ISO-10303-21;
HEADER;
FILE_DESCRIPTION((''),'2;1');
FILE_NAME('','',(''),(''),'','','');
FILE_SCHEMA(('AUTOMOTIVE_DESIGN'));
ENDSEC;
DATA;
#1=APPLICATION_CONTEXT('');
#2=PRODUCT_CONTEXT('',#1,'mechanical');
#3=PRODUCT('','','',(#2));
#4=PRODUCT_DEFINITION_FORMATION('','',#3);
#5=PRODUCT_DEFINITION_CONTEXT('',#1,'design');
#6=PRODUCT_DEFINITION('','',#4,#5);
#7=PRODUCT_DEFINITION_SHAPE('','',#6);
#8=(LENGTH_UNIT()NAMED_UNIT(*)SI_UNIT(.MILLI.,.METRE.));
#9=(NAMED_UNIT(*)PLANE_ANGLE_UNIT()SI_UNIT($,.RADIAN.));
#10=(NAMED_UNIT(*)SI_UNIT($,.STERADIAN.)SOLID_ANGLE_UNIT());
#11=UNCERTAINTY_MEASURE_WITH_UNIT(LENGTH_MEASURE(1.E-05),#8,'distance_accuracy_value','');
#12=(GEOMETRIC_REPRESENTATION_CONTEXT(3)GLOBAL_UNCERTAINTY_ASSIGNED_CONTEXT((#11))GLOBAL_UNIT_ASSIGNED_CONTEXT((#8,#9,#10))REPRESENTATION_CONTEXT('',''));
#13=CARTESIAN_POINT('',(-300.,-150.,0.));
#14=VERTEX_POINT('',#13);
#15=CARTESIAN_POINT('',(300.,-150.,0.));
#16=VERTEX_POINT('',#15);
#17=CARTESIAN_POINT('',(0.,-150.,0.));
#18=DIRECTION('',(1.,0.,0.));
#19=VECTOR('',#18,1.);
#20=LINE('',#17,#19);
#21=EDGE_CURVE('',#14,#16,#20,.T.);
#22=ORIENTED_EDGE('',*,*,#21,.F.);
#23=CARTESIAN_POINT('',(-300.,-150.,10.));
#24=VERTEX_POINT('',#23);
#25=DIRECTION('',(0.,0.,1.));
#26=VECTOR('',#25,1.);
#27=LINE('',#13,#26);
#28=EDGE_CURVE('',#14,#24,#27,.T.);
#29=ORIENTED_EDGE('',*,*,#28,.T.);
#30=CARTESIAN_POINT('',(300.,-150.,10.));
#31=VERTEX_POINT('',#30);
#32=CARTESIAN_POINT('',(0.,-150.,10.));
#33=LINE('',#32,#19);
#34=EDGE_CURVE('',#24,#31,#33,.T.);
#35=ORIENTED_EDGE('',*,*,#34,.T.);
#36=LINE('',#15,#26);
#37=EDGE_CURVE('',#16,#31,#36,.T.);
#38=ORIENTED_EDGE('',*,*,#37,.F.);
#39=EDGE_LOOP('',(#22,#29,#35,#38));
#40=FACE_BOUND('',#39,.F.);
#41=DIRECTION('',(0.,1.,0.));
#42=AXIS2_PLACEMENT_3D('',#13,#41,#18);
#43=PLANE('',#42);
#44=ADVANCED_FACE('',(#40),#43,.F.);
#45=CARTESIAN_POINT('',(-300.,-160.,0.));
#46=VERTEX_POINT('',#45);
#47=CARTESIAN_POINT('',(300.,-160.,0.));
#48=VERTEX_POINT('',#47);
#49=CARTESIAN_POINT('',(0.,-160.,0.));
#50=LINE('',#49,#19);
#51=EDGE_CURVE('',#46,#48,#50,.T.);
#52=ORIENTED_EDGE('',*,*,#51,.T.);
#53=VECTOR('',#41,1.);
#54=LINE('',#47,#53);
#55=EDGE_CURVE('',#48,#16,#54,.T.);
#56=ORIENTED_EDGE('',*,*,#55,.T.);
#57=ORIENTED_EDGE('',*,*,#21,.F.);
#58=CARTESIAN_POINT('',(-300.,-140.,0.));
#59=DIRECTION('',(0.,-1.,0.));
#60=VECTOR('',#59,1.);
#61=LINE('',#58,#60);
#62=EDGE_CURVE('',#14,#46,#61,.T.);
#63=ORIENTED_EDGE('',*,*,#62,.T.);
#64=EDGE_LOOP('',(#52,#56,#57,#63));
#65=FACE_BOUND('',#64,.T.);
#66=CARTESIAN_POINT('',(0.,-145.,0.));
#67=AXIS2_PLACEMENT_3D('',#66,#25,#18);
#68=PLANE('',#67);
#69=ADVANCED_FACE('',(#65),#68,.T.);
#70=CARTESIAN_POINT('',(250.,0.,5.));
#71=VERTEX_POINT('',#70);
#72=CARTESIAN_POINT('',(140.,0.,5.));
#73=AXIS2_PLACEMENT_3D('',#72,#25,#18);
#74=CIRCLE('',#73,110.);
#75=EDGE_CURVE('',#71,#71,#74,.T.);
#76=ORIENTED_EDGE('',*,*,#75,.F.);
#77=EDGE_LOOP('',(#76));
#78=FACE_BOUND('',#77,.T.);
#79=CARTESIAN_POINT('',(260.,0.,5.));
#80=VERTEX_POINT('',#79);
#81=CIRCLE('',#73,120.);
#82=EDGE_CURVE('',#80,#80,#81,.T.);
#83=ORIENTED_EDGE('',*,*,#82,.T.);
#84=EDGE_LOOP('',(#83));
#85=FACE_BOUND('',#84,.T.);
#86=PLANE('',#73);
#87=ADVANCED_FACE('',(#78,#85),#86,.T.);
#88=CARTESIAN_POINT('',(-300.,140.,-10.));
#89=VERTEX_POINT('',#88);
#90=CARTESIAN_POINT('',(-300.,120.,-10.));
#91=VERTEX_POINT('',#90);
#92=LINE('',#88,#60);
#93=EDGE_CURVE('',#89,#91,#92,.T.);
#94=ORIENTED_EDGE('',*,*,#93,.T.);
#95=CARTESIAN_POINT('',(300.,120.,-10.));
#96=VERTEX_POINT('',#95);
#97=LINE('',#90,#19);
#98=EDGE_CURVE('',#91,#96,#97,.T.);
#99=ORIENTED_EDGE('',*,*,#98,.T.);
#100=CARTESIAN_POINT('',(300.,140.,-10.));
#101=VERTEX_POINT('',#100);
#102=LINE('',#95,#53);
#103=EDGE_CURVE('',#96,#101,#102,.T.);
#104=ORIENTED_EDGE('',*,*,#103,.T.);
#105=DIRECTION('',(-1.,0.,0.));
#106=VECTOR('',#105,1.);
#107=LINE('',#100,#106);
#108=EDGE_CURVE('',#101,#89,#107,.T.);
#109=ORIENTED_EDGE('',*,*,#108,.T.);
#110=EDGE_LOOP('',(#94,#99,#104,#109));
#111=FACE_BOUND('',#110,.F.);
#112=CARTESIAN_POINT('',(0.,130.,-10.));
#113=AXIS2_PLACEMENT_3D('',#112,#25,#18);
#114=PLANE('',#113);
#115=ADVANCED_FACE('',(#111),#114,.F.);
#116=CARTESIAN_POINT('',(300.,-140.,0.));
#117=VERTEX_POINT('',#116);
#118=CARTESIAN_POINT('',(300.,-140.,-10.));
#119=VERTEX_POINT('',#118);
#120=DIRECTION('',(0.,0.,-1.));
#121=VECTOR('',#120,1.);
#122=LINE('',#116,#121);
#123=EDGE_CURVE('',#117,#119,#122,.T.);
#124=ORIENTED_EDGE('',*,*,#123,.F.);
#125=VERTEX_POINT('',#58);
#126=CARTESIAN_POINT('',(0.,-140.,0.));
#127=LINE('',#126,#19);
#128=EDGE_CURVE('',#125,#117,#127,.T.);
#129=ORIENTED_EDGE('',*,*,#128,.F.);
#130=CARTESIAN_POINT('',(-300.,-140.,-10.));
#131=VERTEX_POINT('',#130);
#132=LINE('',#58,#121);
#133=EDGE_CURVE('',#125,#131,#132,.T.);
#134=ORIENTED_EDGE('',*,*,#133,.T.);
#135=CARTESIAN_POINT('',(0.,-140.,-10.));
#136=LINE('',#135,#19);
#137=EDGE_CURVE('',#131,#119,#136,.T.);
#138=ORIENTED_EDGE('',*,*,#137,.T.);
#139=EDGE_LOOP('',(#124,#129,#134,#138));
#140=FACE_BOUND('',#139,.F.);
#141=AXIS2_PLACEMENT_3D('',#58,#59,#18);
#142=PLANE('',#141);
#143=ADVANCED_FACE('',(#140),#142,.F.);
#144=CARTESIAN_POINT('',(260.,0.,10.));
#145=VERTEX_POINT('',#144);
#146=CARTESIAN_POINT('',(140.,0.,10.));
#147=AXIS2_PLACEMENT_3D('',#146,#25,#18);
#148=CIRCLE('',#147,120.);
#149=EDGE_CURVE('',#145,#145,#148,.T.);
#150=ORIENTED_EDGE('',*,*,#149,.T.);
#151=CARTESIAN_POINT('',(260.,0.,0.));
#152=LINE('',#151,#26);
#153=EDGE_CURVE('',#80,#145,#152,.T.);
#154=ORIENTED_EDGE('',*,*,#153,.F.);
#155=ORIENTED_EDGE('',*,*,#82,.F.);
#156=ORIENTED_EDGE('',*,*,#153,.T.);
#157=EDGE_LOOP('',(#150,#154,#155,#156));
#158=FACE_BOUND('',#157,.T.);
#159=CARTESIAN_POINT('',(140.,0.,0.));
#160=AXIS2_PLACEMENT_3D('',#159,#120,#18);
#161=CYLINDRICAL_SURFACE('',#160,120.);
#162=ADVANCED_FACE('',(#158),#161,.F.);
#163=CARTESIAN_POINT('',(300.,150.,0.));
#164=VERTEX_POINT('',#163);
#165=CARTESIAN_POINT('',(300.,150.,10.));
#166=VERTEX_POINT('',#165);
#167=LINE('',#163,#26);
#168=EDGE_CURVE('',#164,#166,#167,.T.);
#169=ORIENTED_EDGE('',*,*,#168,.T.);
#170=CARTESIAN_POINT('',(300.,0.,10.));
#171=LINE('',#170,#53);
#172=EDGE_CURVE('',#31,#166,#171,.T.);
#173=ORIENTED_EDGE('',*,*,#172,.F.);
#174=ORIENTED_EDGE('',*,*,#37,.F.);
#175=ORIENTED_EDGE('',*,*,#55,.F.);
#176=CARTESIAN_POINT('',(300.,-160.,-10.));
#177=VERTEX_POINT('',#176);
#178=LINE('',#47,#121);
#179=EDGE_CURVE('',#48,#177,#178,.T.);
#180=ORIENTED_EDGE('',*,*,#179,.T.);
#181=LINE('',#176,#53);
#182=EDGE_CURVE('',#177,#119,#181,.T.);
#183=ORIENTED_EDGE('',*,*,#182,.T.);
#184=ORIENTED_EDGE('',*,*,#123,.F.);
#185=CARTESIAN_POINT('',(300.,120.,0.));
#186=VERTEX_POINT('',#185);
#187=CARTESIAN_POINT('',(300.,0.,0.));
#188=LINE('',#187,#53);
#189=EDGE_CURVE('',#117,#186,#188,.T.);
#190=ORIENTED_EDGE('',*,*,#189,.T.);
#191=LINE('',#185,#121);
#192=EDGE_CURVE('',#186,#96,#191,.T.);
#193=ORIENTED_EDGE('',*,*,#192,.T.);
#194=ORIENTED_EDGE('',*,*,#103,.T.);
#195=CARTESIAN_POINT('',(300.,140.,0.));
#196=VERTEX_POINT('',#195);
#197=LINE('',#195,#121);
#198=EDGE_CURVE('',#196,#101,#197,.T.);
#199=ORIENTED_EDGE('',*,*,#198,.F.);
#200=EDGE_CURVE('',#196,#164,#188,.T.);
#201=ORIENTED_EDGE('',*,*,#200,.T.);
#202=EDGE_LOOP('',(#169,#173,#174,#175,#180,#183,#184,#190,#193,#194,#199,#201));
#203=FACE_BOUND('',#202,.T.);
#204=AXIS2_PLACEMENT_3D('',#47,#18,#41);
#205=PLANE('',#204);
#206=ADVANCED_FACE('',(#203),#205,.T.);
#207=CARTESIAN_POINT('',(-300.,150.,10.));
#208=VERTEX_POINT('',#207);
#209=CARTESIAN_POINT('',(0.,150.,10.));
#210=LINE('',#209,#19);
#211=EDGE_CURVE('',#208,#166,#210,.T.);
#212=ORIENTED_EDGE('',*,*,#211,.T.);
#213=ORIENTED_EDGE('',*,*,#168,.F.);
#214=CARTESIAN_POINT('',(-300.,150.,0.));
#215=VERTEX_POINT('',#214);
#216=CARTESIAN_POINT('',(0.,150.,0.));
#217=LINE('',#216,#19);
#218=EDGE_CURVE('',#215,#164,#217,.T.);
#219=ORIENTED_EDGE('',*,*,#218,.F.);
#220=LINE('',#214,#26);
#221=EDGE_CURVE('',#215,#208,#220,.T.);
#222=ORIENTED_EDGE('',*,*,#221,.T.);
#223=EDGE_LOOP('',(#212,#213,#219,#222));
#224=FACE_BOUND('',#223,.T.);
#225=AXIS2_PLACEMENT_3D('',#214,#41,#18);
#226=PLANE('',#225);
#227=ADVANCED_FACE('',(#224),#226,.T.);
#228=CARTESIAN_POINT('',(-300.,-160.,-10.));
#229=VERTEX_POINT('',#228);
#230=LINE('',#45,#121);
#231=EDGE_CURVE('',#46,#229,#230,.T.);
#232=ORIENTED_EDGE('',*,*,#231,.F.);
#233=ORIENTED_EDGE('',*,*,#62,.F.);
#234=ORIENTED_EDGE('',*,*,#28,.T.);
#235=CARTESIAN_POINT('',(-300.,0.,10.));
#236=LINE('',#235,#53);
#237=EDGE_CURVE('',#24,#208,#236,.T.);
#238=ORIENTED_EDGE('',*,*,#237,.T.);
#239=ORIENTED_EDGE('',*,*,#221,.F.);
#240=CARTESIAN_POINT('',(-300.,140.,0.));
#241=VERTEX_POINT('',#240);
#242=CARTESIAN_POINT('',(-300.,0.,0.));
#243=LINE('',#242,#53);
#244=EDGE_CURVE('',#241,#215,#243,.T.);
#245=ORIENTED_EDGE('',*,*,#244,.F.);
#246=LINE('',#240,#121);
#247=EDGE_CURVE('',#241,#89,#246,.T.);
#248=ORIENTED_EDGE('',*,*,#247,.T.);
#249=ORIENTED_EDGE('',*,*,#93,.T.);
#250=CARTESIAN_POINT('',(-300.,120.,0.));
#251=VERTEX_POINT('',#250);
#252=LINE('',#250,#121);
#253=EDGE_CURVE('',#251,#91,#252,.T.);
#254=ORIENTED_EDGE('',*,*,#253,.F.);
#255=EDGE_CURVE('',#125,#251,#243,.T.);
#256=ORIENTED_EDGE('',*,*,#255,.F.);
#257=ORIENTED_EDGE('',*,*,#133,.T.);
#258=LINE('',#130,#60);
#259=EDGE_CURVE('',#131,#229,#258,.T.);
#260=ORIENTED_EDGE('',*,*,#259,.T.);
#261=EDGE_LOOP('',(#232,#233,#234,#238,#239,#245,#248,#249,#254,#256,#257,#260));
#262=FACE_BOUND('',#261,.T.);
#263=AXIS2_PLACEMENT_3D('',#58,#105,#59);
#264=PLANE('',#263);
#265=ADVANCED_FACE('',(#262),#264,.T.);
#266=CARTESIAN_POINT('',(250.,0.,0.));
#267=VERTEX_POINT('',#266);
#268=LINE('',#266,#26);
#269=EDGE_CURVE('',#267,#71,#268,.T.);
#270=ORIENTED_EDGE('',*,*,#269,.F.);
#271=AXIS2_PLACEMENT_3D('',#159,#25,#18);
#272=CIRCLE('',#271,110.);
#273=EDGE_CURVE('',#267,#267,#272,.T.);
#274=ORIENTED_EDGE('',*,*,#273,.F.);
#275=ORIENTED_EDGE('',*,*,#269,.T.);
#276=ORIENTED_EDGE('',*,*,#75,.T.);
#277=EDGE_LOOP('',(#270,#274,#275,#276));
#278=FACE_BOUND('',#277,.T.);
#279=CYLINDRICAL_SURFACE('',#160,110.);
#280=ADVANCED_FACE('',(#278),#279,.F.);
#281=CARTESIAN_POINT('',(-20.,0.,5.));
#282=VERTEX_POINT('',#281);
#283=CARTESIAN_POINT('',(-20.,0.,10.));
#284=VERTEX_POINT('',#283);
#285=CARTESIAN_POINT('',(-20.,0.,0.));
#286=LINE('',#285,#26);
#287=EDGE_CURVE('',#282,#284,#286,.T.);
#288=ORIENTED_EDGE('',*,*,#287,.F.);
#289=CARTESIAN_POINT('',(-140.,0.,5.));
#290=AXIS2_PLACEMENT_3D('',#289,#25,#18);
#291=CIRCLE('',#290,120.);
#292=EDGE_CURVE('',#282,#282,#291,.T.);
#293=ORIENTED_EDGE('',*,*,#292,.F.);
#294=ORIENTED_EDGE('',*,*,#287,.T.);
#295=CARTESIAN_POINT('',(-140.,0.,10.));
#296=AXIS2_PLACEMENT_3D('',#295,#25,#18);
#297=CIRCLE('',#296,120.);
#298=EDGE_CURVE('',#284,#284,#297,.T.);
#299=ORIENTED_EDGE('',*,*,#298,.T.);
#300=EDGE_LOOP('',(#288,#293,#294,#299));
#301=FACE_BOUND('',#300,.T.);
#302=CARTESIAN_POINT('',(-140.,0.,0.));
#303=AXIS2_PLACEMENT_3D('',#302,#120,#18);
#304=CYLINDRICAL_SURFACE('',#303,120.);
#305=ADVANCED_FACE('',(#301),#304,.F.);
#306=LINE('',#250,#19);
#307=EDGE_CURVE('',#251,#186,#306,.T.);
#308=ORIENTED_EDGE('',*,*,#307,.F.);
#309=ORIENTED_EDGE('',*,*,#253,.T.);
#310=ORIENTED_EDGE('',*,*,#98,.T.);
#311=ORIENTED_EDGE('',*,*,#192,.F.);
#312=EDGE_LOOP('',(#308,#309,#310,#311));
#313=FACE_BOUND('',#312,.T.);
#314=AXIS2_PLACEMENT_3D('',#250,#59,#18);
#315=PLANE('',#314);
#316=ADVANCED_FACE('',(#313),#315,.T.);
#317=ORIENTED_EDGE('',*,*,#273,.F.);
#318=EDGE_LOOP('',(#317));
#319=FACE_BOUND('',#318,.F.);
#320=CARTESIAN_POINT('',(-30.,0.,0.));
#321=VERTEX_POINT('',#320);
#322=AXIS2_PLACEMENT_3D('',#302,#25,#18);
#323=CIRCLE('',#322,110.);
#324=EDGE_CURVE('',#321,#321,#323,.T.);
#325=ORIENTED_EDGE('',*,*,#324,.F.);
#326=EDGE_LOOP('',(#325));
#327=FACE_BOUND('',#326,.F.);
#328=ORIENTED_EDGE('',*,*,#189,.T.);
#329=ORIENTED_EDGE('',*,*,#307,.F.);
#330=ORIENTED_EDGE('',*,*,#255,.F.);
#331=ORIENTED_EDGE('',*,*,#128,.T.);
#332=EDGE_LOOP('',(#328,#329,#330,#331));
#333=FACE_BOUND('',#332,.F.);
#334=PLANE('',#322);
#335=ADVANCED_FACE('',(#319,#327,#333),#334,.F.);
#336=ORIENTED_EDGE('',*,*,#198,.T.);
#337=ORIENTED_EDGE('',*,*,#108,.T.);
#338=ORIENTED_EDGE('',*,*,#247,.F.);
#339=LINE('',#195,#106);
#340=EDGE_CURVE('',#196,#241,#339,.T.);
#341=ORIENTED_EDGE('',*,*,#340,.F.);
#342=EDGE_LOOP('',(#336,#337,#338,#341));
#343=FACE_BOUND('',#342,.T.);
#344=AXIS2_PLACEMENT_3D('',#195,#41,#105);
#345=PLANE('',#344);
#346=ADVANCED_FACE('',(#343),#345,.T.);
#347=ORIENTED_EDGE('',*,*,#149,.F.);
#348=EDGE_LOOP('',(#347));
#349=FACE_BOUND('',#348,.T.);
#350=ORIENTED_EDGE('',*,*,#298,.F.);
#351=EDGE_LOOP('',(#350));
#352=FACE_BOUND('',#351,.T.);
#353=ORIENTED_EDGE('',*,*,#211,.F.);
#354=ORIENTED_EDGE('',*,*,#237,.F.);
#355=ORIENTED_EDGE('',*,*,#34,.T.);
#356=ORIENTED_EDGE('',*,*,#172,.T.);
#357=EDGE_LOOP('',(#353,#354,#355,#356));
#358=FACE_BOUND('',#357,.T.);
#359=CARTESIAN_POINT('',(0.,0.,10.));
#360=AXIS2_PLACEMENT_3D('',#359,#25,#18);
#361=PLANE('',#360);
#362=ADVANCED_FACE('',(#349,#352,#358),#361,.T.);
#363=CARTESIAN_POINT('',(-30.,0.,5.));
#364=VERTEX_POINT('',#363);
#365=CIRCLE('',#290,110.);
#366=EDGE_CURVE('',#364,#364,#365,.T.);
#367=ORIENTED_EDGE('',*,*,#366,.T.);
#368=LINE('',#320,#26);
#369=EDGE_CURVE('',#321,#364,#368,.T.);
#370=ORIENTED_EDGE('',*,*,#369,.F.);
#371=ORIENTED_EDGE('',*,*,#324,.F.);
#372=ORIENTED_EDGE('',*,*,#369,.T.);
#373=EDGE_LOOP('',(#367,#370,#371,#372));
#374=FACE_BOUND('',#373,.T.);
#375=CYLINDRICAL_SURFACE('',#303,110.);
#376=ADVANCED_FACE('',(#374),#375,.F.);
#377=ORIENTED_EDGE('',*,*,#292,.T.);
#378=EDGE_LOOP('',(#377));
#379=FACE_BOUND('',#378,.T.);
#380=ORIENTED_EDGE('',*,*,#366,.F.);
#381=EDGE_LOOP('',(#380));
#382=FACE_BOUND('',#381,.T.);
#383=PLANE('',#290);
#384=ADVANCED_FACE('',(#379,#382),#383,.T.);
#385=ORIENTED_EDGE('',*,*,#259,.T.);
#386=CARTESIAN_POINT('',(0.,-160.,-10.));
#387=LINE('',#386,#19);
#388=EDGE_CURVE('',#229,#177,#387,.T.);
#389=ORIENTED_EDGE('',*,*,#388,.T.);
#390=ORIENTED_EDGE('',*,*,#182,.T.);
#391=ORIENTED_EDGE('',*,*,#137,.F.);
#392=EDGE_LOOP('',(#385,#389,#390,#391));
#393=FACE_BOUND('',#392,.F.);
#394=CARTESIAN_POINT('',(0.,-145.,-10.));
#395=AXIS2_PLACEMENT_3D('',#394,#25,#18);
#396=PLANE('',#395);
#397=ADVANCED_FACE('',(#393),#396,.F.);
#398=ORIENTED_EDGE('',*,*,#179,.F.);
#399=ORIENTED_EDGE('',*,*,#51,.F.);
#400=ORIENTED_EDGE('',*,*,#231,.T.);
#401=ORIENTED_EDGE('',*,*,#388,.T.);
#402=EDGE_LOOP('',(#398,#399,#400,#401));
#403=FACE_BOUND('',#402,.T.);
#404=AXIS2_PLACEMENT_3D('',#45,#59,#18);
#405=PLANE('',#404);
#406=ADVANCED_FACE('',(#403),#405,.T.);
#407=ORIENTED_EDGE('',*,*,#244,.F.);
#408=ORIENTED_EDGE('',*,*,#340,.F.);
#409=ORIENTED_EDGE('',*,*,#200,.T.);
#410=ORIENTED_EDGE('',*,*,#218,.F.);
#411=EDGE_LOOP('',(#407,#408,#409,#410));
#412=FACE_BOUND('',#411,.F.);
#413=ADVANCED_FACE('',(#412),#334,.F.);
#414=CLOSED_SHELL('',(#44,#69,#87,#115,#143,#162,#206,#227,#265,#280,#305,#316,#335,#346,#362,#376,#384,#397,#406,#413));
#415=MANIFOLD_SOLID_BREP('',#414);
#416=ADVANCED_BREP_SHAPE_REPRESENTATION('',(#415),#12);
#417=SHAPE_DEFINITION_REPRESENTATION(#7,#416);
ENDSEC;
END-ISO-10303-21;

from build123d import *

# Parameters (mm, degrees)
F0_W     = 600
F0_H     = 300
F0_R     = 120
F1_DEPTH = 10
F0_R_2   = 110
F2_DEPTH = 5
F3_W     = 600
F3_H     = 10
F4_DEPTH = 10


with BuildPart() as f1:
    # F0 (on Top) → F1 (new body)
    with BuildSketch(Plane.XY):
        Rectangle(F0_W, F0_H)
        with Locations((-140, 0)):
            Circle(F0_R, mode=Mode.SUBTRACT)
        with Locations((140, 0)):
            Circle(F0_R, mode=Mode.SUBTRACT)
    extrude(amount=F1_DEPTH)

    # F0 (on Top) → F2 (join)
    with BuildSketch(Plane.XY):
        with Locations((-140, 0)):
            Circle(F0_R)
        with Locations((-140, 0)):
            Circle(F0_R_2, mode=Mode.SUBTRACT)
        with Locations((140, 0)):
            Circle(F0_R)
        with Locations((140, 0)):
            Circle(F0_R_2, mode=Mode.SUBTRACT)
    extrude(amount=F2_DEPTH)

    # F3 (on face) → F4 (join)
    with BuildSketch(Plane.XY):
        with Locations((0, -145)):
            Rectangle(F3_W, F3_H)
        with Locations((0, -155)):
            Rectangle(F3_W, F3_H)
        Polygon((300, 140), (-300, 140), (-300, 120), (-140, 120), (140, 120), (300, 120), align=None)
    extrude(amount=-F4_DEPTH)


solid = f1.part
